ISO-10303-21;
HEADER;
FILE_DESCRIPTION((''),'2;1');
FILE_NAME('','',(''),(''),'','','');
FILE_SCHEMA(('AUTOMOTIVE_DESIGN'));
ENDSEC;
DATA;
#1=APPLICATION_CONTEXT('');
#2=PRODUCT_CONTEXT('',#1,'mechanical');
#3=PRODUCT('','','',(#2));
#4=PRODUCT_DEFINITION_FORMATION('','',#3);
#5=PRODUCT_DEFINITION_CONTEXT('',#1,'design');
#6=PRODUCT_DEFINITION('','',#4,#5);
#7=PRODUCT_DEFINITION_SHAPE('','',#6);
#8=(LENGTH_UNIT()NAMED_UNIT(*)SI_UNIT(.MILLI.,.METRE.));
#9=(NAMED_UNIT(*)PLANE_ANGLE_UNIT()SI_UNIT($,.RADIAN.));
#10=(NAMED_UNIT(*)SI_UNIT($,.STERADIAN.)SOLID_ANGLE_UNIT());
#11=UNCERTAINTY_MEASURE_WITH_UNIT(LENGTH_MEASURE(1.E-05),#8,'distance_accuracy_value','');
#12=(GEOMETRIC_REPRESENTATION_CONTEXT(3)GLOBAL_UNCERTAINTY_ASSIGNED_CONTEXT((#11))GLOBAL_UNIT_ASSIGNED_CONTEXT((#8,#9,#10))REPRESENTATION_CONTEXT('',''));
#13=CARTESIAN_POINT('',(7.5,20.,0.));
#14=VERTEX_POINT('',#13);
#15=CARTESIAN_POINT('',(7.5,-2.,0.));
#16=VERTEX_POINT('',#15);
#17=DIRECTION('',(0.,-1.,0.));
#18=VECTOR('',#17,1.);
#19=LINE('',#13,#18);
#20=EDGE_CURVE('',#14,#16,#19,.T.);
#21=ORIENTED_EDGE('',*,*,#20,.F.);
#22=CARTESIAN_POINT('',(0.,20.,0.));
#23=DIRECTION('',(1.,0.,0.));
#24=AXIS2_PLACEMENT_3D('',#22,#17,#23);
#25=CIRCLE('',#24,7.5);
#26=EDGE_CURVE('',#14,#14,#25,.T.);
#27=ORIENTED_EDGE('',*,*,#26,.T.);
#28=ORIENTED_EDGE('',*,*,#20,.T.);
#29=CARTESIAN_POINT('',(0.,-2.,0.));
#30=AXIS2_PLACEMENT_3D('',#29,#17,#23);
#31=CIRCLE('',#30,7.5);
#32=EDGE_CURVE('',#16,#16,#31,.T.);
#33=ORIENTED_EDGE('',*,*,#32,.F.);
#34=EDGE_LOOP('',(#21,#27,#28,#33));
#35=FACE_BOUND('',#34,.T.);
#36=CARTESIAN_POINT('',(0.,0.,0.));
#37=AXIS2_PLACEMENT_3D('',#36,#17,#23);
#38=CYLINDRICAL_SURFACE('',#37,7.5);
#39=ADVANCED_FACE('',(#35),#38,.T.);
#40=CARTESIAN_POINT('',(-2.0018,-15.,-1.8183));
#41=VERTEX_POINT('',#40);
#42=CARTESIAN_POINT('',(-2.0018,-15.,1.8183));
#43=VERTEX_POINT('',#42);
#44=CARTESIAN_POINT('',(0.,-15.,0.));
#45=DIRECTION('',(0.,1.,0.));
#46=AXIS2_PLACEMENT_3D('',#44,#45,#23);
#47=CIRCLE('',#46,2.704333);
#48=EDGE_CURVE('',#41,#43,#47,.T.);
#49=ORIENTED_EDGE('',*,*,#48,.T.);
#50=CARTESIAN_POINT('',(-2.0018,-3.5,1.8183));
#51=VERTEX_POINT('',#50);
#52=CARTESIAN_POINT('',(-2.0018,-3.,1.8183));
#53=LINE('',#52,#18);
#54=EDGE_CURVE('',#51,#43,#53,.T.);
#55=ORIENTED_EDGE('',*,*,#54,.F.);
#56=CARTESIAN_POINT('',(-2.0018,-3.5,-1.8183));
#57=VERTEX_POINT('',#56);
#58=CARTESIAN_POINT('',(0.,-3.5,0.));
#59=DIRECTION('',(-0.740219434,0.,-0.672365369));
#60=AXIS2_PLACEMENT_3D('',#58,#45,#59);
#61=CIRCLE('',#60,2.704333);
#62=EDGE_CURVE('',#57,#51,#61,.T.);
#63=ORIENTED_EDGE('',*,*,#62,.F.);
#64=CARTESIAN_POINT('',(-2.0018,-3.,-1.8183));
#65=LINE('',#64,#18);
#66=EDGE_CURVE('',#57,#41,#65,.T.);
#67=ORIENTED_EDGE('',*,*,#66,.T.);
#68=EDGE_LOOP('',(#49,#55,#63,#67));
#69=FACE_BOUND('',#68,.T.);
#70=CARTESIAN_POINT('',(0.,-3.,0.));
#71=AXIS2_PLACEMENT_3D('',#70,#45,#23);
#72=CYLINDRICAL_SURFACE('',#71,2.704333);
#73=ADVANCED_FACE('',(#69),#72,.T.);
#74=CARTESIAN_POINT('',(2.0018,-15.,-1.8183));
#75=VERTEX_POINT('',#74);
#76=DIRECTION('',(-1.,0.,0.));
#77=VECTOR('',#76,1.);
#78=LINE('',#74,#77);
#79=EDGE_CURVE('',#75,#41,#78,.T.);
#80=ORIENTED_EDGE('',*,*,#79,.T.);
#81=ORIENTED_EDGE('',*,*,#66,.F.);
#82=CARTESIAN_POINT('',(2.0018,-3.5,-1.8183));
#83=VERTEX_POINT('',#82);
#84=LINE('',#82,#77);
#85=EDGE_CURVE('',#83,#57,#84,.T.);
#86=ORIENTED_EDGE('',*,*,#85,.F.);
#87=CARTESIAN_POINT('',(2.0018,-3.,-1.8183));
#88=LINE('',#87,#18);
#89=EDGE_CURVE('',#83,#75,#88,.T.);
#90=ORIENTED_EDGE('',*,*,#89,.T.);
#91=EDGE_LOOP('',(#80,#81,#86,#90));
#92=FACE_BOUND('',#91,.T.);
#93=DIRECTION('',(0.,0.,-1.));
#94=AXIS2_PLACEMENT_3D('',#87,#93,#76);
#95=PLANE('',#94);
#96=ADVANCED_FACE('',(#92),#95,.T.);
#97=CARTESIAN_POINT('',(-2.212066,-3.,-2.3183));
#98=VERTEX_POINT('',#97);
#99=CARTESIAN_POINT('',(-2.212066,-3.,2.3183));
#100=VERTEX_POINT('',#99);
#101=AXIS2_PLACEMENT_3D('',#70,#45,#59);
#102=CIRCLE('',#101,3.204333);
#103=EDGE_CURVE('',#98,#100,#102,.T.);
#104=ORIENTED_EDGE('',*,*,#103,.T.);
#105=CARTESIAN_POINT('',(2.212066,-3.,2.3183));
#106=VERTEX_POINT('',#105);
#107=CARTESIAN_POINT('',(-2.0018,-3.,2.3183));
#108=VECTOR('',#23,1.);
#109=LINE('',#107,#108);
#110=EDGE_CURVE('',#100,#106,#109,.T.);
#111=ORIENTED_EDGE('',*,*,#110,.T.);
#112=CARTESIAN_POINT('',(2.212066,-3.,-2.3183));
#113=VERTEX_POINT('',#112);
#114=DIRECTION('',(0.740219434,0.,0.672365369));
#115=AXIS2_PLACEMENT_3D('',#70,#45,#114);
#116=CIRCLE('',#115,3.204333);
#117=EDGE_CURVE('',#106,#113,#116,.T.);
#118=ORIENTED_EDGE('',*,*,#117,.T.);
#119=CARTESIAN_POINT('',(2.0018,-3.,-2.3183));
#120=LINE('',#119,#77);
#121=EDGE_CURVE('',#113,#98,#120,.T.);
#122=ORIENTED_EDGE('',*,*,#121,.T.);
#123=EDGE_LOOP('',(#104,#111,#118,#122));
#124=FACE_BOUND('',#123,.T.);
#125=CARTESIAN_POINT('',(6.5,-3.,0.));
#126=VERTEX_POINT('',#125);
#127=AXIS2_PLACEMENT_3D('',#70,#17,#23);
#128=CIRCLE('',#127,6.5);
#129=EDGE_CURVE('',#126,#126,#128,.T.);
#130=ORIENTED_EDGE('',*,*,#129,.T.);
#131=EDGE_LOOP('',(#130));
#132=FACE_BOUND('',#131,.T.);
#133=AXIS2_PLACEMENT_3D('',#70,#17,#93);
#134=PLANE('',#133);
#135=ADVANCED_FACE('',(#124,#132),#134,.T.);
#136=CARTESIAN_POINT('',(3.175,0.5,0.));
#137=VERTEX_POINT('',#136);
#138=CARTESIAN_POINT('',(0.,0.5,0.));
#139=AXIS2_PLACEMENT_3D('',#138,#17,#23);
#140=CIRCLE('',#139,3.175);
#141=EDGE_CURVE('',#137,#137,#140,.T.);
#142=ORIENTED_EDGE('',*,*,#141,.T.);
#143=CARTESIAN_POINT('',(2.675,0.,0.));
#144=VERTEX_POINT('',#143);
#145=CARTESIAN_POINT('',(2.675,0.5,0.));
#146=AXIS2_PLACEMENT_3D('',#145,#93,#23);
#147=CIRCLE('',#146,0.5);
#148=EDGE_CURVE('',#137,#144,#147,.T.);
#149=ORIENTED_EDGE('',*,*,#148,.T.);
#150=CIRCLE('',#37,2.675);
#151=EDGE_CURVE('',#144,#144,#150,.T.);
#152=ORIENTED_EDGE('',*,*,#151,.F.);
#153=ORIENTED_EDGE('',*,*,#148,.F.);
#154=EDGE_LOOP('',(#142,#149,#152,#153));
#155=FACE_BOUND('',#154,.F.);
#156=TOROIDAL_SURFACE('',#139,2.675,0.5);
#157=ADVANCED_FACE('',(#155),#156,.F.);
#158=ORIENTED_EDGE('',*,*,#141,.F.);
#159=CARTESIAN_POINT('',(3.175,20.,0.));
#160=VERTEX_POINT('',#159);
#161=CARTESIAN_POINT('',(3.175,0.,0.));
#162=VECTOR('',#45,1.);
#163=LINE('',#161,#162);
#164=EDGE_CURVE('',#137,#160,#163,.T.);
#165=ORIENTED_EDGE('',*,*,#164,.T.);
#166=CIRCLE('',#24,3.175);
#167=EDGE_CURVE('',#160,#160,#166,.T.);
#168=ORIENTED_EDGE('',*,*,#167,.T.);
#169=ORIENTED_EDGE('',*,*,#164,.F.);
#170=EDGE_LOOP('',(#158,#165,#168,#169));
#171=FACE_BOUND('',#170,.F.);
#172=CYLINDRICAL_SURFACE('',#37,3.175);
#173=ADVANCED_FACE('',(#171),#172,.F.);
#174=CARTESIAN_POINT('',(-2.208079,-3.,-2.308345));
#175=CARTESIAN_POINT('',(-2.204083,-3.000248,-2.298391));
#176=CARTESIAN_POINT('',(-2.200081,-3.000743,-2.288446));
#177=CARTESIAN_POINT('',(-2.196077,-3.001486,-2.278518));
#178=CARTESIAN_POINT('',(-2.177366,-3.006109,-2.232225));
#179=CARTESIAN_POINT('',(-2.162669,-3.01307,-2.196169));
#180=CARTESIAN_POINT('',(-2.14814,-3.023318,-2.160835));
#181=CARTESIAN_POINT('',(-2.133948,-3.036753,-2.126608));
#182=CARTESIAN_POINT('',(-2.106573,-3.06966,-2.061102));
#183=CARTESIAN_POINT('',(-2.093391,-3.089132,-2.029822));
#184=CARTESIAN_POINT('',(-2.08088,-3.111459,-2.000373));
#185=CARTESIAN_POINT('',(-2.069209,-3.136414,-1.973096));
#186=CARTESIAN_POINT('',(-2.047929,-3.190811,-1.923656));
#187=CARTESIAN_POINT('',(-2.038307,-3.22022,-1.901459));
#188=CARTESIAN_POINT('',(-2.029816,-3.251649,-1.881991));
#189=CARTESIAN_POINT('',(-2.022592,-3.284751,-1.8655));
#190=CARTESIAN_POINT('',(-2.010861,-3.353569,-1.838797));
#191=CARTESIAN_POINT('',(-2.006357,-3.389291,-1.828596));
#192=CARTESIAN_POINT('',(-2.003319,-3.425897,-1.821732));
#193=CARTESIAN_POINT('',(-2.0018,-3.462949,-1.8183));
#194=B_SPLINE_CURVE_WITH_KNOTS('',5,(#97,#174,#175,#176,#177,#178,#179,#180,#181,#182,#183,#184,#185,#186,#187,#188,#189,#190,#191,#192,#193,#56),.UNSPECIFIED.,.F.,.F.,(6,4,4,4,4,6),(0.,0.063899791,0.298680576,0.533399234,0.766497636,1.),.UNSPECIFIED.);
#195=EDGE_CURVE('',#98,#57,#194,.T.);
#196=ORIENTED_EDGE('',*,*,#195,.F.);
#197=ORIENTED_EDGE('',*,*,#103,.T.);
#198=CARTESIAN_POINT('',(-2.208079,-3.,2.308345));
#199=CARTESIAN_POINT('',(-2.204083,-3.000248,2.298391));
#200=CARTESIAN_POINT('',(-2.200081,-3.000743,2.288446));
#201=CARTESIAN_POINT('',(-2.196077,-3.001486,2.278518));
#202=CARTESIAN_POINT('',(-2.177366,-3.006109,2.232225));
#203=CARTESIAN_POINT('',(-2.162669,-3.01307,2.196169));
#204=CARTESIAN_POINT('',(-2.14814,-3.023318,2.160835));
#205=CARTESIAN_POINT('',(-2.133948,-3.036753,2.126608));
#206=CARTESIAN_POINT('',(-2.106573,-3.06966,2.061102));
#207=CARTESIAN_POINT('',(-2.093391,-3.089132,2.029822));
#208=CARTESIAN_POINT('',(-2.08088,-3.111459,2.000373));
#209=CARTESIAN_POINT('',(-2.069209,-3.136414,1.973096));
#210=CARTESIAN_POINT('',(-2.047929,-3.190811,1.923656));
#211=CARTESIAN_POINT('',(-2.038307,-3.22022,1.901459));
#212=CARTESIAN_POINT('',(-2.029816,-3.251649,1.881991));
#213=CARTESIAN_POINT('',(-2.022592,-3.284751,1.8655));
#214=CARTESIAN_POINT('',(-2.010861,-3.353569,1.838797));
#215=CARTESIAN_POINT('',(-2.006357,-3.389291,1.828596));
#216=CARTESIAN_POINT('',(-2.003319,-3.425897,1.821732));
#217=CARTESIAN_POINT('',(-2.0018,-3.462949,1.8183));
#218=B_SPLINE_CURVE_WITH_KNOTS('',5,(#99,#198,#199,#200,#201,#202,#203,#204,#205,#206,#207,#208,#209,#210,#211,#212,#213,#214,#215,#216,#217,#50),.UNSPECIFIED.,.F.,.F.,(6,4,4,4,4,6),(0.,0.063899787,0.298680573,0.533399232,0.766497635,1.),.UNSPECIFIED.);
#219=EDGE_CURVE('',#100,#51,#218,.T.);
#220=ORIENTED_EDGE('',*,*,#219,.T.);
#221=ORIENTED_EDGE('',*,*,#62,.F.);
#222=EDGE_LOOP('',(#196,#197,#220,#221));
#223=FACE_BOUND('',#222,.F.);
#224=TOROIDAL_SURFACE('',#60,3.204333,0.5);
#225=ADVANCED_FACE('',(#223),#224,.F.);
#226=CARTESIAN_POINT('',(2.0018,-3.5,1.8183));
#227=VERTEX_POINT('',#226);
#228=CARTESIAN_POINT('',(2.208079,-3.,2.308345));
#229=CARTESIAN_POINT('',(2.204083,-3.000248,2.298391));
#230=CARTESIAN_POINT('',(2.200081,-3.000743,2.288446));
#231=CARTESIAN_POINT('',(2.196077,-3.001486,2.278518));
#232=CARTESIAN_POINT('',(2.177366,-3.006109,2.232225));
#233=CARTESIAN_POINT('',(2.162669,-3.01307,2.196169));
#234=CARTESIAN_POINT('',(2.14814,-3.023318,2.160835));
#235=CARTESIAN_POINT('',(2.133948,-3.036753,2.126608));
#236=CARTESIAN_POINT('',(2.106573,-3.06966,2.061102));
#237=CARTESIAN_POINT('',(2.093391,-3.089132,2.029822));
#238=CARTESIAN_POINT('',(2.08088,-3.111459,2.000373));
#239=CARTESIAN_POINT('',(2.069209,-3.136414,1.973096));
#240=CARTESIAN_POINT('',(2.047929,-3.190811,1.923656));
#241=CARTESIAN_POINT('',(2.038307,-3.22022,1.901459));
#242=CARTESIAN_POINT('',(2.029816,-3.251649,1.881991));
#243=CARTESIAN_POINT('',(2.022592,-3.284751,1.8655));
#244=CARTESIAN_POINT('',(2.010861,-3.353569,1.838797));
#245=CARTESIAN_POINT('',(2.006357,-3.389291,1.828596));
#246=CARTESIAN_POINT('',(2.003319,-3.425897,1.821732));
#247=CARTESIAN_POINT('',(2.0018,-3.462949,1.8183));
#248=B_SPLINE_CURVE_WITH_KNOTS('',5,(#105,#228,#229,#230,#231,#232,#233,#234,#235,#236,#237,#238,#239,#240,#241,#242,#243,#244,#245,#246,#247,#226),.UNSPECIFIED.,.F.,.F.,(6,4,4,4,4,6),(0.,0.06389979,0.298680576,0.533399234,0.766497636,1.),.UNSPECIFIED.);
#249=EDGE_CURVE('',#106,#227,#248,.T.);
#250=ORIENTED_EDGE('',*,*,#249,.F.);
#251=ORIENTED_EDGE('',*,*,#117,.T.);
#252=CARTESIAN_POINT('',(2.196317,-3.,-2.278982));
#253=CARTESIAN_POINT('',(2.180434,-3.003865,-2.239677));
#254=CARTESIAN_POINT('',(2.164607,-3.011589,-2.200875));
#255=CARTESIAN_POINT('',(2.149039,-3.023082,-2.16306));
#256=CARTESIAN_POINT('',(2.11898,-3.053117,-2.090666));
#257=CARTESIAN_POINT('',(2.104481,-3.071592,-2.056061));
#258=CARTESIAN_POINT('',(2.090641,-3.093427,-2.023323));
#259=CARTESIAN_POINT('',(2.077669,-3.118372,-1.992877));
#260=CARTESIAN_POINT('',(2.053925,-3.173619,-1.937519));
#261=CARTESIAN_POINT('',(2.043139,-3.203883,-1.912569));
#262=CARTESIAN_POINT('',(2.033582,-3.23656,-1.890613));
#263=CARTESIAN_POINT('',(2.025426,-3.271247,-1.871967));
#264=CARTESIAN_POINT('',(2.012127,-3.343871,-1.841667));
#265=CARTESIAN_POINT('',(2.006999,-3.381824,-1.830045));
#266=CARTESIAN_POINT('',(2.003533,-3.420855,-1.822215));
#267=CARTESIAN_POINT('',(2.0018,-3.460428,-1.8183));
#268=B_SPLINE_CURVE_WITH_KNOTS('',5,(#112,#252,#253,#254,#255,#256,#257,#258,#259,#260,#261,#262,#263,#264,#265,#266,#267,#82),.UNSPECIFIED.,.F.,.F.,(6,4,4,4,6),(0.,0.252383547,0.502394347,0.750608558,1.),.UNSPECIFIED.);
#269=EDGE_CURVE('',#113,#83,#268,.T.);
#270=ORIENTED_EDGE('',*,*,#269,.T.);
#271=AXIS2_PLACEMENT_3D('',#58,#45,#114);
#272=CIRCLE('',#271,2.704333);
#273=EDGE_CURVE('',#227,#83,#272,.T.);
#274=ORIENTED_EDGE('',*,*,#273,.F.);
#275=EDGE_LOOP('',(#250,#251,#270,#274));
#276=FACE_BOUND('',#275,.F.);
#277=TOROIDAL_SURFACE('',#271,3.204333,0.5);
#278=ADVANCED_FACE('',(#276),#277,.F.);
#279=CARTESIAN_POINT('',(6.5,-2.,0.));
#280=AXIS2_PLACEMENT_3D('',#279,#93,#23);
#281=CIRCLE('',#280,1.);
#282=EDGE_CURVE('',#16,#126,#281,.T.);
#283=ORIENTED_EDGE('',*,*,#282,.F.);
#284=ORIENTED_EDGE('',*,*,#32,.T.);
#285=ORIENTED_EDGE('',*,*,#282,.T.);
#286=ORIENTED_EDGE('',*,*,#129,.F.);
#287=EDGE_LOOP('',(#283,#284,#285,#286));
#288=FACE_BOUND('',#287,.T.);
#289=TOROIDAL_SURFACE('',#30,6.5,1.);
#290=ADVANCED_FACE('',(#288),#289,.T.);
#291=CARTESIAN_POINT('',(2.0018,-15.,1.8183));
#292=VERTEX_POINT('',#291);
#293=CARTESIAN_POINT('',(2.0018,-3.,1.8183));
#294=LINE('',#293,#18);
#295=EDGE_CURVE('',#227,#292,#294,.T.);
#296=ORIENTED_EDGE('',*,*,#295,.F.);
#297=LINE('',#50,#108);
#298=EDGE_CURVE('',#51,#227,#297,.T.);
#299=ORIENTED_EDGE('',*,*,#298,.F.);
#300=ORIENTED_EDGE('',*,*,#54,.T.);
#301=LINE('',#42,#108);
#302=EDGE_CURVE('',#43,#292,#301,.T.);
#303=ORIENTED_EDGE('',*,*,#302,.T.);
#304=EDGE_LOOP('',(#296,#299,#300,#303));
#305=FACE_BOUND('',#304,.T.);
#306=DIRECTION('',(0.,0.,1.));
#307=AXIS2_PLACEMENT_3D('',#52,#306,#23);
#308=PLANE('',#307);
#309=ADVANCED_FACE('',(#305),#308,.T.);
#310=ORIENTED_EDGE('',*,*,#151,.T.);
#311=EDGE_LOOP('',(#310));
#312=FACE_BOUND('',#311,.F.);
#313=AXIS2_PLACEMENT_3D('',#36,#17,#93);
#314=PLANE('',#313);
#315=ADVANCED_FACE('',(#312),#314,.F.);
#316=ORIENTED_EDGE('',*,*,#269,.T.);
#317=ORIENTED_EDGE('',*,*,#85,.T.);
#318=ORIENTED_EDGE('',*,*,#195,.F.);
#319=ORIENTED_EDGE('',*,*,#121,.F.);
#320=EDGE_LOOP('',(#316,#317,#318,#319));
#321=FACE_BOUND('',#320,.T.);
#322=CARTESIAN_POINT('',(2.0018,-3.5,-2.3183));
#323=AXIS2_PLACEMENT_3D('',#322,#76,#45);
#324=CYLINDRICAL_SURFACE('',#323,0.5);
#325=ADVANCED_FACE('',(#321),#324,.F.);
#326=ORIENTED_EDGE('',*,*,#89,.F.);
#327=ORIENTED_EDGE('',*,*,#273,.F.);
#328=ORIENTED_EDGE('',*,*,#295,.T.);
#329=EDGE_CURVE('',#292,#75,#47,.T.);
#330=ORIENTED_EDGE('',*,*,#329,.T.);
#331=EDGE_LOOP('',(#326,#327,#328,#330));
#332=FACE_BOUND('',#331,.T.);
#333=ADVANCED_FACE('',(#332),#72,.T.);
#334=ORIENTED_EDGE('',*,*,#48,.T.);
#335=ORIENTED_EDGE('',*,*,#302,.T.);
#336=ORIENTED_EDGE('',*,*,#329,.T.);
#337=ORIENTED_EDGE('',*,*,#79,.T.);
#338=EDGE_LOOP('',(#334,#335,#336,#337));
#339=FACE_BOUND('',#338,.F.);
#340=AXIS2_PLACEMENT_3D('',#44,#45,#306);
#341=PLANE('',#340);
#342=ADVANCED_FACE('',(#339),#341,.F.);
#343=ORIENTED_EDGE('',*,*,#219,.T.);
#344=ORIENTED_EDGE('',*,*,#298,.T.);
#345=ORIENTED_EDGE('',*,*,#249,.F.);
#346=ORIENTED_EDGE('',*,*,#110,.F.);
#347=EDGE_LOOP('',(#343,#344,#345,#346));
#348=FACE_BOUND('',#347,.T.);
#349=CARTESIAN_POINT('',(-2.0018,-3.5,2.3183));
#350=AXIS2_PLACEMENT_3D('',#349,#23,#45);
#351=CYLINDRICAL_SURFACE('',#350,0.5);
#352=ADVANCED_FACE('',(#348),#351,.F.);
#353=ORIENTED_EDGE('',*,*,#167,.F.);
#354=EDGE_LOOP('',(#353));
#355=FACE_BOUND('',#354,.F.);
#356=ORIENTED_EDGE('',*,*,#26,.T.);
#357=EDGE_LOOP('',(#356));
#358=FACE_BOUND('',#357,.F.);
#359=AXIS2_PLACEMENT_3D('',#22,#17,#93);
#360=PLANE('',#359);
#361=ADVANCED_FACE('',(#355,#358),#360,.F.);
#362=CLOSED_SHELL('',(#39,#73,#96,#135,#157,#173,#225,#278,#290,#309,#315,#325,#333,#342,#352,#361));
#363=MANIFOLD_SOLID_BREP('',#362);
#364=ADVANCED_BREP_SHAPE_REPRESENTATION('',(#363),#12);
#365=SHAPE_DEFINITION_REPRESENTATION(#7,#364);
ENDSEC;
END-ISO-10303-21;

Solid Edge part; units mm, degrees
sketch "Sketch1" plane through (0, 0, 0) normal (0, -1, 0) x (1, 0, 0)
  circle A0 centre (0, 0) radius 3.175
  circle A1 centre (0, 0) radius 7.5
extrude "Protrusion1" add sketch "Sketch1" against normal blind 20
sketch "Sketch2" plane through (0, 0, 0) normal (0, -1, 0) x (1, 0, 0)
  circle A0 centre (0, 0) radius 7.5
extrude "ExtrudedProtrusion_2" add sketch "Sketch2" along normal blind 3
fillet "Round_1" radius 1 1 edges at (-7.5, -3, 0)
sketch "Sketch3" plane through (0, -3, 0) normal (0, -1, 0) x (1, 0, 0)
  line L0 (2.0018, -1.8183) -> (-2.0018, -1.8183)
  arc A0 (-2.0018, -1.8183) -> (-2.0018, 1.8183) centre (0, 0) cw
  line L1 (-2.0018, 1.8183) -> (2.0018, 1.8183)
  arc A1 (2.0018, 1.8183) -> (2.0018, -1.8183) centre (0, 0) cw
extrude "ExtrudedProtrusion_3" add sketch "Sketch3" along normal blind 12
fillet "Round_2" radius 0.5 5 edges at (0, -3, 1.8183) (2.7044, -3, 0) (0, -3, -1.8183) (-3.175, 0, 0) (-2.7044, -3, 0)
